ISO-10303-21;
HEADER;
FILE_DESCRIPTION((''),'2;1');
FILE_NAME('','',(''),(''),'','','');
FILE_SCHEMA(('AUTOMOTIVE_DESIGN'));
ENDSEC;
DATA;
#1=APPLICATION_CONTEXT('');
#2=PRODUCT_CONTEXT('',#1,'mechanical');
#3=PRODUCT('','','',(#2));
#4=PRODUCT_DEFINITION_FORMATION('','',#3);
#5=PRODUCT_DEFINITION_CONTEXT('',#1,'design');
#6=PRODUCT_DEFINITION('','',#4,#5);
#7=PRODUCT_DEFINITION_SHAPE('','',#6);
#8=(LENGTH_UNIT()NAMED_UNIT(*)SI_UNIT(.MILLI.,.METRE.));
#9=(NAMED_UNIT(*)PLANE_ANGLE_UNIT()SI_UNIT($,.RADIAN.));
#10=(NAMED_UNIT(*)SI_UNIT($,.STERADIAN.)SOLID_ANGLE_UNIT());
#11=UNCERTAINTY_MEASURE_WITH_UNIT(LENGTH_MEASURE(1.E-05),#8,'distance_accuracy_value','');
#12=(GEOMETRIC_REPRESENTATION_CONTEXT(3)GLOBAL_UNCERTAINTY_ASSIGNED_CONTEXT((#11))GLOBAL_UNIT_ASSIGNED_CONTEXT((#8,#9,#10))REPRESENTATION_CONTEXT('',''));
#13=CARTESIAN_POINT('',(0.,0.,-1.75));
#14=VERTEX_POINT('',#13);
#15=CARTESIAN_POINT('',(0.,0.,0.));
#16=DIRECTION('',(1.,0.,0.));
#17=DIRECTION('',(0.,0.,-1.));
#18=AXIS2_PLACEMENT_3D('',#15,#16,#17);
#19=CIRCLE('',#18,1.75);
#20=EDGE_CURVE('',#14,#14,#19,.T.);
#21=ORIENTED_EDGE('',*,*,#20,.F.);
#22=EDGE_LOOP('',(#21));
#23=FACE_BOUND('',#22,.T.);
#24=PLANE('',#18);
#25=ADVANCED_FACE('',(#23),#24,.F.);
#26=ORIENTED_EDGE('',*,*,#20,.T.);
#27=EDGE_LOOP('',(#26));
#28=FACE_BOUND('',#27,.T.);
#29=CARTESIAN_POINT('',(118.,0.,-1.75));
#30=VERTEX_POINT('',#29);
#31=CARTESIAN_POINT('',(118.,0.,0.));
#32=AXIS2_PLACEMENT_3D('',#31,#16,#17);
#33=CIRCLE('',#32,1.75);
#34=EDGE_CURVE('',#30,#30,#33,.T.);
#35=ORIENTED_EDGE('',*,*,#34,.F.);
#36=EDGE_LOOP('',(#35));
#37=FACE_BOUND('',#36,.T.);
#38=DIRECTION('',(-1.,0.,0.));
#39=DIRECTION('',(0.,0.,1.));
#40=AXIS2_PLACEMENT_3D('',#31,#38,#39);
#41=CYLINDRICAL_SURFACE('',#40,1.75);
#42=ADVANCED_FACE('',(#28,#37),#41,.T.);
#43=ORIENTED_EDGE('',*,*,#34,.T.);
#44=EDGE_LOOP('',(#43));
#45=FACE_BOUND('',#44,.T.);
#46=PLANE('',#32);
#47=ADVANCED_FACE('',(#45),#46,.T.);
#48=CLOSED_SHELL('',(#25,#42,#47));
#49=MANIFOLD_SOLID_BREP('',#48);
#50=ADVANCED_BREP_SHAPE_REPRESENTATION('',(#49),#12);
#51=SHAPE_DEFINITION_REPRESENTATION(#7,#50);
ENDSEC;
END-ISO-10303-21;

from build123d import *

# Parameters (mm, degrees)
SKETCH_1_R      = 1.75
EXTRUDE_1_DEPTH = 118


with BuildPart() as part:
    # Эскиз1 → Бобышка-Вытянуть1 (new body)
    with BuildSketch(Plane(origin=(0, 0, 0), x_dir=(0, 0, -1), z_dir=(1, 0, 0))):
        Circle(SKETCH_1_R)
    extrude(amount=EXTRUDE_1_DEPTH)


solid = part.part
